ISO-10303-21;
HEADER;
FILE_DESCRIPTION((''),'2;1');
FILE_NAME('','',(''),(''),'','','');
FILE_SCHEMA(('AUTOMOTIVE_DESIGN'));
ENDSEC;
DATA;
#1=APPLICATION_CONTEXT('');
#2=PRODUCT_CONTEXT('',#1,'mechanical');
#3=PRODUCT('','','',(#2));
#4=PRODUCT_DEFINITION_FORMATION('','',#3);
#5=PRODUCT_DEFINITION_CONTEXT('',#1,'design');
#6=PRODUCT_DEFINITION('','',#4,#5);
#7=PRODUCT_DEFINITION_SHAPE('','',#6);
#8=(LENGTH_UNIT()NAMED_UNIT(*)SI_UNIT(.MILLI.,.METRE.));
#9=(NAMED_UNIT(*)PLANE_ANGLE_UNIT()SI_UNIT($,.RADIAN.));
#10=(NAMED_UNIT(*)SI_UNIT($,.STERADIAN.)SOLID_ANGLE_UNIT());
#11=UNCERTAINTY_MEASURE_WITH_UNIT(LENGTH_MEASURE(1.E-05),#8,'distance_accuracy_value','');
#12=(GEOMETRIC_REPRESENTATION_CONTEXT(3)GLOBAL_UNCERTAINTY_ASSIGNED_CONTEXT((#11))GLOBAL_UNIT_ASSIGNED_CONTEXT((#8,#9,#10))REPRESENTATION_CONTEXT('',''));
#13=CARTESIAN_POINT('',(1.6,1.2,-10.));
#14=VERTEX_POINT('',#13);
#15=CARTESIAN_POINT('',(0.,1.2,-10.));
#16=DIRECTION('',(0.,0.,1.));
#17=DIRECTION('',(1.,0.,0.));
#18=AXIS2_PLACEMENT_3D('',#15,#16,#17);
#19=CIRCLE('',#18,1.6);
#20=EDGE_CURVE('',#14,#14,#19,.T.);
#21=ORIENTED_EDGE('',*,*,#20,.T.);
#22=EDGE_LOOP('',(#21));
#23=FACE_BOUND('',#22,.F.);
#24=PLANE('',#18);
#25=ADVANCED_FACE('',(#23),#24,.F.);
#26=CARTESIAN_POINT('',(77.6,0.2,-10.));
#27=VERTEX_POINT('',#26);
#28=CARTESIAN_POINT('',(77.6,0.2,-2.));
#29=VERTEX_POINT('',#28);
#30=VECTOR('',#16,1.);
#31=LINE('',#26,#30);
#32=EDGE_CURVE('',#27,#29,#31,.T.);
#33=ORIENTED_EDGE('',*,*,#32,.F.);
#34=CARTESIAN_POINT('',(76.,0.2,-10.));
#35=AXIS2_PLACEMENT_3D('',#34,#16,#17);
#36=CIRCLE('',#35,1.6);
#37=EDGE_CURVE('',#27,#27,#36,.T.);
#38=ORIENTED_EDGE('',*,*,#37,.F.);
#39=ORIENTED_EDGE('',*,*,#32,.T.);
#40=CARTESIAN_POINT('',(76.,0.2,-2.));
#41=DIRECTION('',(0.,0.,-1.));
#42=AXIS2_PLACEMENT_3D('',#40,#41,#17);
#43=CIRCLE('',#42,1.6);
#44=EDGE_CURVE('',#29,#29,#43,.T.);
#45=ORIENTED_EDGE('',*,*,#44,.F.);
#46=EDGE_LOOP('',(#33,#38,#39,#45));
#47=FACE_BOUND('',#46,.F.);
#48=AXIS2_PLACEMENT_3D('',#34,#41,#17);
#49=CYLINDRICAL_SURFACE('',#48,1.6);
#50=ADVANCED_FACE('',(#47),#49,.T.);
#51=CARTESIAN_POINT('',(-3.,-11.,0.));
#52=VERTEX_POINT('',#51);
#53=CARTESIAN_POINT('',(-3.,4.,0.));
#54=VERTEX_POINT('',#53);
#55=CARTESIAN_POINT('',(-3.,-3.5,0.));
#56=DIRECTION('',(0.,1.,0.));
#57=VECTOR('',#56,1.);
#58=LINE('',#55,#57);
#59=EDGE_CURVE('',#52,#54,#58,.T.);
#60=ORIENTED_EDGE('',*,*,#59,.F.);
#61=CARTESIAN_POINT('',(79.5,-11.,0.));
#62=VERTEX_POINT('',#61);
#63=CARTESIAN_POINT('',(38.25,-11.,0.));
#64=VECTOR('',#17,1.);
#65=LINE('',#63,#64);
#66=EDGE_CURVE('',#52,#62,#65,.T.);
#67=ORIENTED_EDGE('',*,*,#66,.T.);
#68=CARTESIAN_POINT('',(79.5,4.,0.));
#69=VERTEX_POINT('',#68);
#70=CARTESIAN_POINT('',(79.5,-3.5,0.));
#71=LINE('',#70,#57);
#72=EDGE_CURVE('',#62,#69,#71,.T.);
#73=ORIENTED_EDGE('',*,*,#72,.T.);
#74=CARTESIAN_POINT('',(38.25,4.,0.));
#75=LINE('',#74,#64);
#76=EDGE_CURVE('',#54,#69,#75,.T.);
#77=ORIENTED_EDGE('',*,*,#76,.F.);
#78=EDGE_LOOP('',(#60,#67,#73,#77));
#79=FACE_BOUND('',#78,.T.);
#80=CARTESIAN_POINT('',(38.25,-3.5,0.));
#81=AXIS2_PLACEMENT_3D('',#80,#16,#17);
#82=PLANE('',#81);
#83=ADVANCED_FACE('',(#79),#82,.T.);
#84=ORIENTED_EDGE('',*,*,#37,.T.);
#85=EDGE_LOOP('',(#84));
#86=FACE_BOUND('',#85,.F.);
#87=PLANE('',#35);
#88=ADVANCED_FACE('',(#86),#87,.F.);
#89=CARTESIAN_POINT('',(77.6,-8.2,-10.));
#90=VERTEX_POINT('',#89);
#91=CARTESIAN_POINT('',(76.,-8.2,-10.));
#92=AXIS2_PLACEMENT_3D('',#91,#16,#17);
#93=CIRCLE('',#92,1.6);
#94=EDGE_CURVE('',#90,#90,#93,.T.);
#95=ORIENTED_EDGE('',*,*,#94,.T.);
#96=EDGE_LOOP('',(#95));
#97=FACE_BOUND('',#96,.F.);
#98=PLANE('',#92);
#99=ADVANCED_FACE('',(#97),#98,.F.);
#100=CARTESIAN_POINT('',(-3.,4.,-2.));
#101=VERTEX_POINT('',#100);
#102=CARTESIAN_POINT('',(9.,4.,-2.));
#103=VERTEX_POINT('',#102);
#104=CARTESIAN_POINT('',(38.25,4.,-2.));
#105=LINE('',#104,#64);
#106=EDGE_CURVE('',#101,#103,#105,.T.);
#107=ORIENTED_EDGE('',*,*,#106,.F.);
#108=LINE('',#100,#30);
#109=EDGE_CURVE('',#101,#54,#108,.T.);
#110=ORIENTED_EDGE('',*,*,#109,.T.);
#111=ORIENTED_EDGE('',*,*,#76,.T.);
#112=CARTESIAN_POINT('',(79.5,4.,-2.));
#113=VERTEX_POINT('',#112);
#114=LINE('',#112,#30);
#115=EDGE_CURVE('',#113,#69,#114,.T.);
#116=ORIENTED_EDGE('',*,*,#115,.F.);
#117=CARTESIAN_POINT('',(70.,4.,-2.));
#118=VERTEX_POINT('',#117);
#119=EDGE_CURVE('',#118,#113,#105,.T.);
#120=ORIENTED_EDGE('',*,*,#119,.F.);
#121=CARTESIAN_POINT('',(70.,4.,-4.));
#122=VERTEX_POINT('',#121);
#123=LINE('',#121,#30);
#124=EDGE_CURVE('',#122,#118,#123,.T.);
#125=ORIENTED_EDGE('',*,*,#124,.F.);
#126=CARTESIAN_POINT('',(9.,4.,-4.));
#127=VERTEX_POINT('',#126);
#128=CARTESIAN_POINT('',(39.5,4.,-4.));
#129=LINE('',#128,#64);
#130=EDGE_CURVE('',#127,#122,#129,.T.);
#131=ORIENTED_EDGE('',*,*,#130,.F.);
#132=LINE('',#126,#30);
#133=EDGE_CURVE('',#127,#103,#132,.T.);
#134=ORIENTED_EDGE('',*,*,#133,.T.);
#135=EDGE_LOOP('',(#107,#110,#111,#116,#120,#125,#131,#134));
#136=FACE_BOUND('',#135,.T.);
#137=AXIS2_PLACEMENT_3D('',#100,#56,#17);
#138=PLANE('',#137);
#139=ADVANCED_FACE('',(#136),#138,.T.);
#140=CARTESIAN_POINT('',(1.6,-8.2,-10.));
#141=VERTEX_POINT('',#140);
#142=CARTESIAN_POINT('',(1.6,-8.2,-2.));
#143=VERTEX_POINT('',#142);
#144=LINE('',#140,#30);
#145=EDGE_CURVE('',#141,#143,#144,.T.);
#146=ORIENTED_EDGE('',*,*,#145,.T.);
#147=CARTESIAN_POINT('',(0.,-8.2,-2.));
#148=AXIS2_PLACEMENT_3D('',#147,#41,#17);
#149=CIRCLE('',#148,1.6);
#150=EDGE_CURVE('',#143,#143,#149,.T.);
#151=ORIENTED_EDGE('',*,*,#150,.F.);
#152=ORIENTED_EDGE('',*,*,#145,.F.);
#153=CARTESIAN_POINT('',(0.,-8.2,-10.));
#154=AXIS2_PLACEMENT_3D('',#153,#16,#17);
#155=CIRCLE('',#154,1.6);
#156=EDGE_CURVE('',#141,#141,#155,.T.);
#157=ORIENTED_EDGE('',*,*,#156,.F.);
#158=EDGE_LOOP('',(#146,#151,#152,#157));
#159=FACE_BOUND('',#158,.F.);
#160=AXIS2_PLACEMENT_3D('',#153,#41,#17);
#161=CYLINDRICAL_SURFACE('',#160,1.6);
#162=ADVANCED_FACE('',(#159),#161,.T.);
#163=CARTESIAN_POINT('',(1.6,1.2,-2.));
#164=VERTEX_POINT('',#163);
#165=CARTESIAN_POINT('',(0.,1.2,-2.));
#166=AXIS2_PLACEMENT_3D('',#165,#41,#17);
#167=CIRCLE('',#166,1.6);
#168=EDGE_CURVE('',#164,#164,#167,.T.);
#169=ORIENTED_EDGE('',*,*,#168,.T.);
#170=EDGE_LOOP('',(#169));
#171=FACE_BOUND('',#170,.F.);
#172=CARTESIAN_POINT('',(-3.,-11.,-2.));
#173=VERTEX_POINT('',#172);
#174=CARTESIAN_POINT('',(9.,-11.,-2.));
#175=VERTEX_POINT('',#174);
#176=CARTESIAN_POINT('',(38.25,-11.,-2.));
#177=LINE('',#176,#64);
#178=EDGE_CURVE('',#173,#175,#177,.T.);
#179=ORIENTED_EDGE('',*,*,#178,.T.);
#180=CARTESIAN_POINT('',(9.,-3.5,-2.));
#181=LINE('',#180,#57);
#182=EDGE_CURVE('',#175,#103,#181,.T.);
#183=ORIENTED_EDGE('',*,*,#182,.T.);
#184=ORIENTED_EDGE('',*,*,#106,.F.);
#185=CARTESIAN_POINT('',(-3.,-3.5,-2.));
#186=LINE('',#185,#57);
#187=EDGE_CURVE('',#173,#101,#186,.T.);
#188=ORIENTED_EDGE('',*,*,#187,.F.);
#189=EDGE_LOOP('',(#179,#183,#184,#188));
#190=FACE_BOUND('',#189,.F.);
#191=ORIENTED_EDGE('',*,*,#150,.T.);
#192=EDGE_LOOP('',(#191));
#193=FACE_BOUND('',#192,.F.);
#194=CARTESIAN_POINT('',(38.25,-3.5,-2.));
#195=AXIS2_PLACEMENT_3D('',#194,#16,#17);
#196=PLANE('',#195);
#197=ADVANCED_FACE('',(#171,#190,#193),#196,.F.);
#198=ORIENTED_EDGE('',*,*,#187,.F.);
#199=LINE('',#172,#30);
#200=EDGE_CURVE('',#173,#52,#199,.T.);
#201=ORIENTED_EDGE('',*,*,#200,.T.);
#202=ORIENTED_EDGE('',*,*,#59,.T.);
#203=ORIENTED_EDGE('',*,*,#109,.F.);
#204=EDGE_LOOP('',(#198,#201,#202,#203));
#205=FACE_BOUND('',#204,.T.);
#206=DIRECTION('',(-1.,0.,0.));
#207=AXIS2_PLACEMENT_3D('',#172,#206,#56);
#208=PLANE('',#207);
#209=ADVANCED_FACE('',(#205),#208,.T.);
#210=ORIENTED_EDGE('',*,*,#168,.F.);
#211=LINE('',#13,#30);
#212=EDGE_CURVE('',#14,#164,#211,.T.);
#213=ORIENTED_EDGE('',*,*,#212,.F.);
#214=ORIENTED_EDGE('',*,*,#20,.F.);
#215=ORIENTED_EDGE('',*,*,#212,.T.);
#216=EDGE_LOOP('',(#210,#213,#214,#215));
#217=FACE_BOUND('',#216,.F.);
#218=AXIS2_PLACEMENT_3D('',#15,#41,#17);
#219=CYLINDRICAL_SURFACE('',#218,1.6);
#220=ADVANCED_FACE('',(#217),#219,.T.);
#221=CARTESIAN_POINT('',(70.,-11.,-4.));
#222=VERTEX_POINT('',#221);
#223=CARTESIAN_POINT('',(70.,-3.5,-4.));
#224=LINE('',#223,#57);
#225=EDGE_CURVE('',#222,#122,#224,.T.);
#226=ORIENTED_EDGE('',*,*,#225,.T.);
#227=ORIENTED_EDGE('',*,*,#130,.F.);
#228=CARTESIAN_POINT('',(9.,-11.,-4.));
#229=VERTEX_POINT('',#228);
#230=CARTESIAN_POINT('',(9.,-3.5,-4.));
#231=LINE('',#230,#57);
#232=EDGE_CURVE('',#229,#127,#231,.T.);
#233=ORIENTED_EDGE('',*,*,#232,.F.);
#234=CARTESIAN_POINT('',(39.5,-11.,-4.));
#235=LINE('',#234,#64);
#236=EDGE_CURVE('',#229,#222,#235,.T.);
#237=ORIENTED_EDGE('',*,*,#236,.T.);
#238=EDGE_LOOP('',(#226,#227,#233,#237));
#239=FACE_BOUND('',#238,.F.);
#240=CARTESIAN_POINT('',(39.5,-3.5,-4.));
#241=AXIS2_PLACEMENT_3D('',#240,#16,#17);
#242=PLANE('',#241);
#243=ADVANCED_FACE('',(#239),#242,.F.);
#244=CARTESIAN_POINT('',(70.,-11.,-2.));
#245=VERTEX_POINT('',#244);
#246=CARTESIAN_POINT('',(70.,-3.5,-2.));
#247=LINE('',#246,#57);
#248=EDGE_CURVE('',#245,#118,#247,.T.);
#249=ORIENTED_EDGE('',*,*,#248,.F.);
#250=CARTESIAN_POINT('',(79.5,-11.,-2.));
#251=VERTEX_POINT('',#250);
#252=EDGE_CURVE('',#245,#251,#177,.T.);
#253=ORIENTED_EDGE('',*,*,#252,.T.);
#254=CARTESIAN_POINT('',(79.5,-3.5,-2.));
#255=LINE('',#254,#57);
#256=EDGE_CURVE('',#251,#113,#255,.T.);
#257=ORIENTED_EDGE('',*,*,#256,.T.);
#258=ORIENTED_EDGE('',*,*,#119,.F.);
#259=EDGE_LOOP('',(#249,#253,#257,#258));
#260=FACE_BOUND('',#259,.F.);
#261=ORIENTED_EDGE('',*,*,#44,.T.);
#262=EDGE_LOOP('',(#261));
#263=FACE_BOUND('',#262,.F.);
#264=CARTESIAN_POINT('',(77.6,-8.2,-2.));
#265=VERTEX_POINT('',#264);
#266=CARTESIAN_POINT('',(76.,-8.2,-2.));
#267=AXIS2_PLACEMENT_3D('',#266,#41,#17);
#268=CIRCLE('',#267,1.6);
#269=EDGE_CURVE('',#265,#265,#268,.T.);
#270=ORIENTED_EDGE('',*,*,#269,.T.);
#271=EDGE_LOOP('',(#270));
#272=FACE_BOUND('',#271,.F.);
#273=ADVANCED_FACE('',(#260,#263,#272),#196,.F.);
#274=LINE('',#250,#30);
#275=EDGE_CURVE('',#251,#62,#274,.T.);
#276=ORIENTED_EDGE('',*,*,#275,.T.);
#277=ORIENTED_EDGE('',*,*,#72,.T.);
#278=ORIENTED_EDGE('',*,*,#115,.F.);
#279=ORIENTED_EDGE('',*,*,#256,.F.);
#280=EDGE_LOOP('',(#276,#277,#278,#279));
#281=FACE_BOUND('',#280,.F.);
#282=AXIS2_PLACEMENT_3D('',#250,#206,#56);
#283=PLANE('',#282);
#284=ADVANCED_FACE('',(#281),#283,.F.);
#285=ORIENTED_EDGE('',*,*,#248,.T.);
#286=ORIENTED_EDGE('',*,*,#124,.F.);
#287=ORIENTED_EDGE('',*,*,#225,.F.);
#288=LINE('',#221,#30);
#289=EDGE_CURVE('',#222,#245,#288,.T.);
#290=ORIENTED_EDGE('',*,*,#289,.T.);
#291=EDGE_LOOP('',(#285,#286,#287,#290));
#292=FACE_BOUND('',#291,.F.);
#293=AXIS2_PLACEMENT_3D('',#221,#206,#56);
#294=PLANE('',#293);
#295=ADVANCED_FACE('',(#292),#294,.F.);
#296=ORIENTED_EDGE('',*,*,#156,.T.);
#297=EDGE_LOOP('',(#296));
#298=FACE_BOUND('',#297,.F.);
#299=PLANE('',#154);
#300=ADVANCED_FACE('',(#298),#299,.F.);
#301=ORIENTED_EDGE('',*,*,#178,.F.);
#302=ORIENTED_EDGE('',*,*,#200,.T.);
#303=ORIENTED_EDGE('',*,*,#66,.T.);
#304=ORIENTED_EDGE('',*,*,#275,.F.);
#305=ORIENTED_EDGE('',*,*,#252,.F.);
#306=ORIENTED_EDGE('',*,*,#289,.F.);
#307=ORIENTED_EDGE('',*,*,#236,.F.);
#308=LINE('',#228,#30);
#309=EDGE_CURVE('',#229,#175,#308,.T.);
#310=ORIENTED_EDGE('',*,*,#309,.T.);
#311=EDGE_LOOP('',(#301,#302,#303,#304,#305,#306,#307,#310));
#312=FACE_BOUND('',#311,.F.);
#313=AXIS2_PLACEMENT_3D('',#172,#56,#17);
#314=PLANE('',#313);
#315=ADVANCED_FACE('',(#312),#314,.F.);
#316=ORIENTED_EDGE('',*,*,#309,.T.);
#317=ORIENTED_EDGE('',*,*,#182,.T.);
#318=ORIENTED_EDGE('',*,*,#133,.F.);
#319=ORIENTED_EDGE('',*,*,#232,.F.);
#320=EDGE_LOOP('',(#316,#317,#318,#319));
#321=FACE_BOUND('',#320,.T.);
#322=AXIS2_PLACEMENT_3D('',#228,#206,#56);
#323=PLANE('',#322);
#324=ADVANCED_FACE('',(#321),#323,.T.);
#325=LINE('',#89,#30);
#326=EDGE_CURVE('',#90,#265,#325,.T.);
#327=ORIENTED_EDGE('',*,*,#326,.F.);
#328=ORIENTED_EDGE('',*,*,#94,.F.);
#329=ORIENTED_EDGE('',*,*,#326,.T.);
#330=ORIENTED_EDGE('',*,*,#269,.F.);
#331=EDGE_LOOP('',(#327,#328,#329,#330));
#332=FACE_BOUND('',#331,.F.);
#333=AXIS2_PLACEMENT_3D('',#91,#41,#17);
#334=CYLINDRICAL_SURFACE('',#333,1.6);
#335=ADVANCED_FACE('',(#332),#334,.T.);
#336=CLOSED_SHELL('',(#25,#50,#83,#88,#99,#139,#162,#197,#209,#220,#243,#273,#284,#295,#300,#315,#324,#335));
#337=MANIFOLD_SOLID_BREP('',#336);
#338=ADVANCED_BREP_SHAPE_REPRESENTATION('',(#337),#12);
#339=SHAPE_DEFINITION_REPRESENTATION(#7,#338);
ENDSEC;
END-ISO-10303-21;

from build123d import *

# Parameters (mm, degrees)
CYLINDER_R        = 1.6
CYLINDER_DEPTH    = 10
BOX001_W          = 61
BOX001_H          = 15
BOX001_DEPTH      = 2
BOX_W             = 82.5
BOX_H             = 15
BOX_DEPTH         = 2
CYLINDER003_R     = 1.6
CYLINDER003_DEPTH = 10
CYLINDER002_R     = 1.6
CYLINDER002_DEPTH = 10
CYLINDER001_R     = 1.6
CYLINDER001_DEPTH = 10


with BuildPart() as taladro1:
    # Cylinder → Cylinder (new body)
    with BuildSketch(Plane(origin=(0, 1.2, -10), x_dir=(1, 0, 0), z_dir=(0, 0, 1))):
        Circle(CYLINDER_R)
    extrude(amount=CYLINDER_DEPTH)


with BuildPart() as perfora_2mm_centro:
    # Box001 → Box001 (new body)
    with BuildSketch(Plane(origin=(12, 0, -2), x_dir=(1, 0, 0), z_dir=(0, 0, 1))):
        with Locations((30.5, 7.5)):
            Rectangle(BOX001_W, BOX001_H)
    extrude(amount=BOX001_DEPTH)


with BuildPart() as fusion001:
    # Box → Box (new body)
    with BuildSketch(Plane.XY):
        with Locations((41.25, 7.5)):
            Rectangle(BOX_W, BOX_H)
    extrude(amount=BOX_DEPTH)

    # Fusion: union perfora_2mm_centro
    add(perfora_2mm_centro.part)


with BuildPart() as fusion001_1:
    # Fusion placement: moved
    add(fusion001.part.moved(Location((-3, -11, -2))))

    # Fusion001: union taladro1
    add(taladro1.part)


with BuildPart() as fusion002:
    # Cylinder003 → Cylinder003 (new body)
    with BuildSketch(Plane(origin=(76, 0.2, -10), x_dir=(1, 0, 0), z_dir=(0, 0, 1))):
        Circle(CYLINDER003_R)
    extrude(amount=CYLINDER003_DEPTH)

    # Fusion002: union Fusion001
    add(fusion001_1.part)


with BuildPart() as fusion003:
    # Cylinder002 → Cylinder002 (new body)
    with BuildSketch(Plane(origin=(76, -8.2, -10), x_dir=(1, 0, 0), z_dir=(0, 0, 1))):
        Circle(CYLINDER002_R)
    extrude(amount=CYLINDER002_DEPTH)

    # Fusion003: union Fusion002
    add(fusion002.part)


with BuildPart() as fusion008:
    # Cylinder001 → Cylinder001 (new body)
    with BuildSketch(Plane(origin=(0, -8.2, -10), x_dir=(1, 0, 0), z_dir=(0, 0, 1))):
        Circle(CYLINDER001_R)
    extrude(amount=CYLINDER001_DEPTH)

    # Fusion008: union Fusion003
    add(fusion003.part)


solid = fusion008.part
